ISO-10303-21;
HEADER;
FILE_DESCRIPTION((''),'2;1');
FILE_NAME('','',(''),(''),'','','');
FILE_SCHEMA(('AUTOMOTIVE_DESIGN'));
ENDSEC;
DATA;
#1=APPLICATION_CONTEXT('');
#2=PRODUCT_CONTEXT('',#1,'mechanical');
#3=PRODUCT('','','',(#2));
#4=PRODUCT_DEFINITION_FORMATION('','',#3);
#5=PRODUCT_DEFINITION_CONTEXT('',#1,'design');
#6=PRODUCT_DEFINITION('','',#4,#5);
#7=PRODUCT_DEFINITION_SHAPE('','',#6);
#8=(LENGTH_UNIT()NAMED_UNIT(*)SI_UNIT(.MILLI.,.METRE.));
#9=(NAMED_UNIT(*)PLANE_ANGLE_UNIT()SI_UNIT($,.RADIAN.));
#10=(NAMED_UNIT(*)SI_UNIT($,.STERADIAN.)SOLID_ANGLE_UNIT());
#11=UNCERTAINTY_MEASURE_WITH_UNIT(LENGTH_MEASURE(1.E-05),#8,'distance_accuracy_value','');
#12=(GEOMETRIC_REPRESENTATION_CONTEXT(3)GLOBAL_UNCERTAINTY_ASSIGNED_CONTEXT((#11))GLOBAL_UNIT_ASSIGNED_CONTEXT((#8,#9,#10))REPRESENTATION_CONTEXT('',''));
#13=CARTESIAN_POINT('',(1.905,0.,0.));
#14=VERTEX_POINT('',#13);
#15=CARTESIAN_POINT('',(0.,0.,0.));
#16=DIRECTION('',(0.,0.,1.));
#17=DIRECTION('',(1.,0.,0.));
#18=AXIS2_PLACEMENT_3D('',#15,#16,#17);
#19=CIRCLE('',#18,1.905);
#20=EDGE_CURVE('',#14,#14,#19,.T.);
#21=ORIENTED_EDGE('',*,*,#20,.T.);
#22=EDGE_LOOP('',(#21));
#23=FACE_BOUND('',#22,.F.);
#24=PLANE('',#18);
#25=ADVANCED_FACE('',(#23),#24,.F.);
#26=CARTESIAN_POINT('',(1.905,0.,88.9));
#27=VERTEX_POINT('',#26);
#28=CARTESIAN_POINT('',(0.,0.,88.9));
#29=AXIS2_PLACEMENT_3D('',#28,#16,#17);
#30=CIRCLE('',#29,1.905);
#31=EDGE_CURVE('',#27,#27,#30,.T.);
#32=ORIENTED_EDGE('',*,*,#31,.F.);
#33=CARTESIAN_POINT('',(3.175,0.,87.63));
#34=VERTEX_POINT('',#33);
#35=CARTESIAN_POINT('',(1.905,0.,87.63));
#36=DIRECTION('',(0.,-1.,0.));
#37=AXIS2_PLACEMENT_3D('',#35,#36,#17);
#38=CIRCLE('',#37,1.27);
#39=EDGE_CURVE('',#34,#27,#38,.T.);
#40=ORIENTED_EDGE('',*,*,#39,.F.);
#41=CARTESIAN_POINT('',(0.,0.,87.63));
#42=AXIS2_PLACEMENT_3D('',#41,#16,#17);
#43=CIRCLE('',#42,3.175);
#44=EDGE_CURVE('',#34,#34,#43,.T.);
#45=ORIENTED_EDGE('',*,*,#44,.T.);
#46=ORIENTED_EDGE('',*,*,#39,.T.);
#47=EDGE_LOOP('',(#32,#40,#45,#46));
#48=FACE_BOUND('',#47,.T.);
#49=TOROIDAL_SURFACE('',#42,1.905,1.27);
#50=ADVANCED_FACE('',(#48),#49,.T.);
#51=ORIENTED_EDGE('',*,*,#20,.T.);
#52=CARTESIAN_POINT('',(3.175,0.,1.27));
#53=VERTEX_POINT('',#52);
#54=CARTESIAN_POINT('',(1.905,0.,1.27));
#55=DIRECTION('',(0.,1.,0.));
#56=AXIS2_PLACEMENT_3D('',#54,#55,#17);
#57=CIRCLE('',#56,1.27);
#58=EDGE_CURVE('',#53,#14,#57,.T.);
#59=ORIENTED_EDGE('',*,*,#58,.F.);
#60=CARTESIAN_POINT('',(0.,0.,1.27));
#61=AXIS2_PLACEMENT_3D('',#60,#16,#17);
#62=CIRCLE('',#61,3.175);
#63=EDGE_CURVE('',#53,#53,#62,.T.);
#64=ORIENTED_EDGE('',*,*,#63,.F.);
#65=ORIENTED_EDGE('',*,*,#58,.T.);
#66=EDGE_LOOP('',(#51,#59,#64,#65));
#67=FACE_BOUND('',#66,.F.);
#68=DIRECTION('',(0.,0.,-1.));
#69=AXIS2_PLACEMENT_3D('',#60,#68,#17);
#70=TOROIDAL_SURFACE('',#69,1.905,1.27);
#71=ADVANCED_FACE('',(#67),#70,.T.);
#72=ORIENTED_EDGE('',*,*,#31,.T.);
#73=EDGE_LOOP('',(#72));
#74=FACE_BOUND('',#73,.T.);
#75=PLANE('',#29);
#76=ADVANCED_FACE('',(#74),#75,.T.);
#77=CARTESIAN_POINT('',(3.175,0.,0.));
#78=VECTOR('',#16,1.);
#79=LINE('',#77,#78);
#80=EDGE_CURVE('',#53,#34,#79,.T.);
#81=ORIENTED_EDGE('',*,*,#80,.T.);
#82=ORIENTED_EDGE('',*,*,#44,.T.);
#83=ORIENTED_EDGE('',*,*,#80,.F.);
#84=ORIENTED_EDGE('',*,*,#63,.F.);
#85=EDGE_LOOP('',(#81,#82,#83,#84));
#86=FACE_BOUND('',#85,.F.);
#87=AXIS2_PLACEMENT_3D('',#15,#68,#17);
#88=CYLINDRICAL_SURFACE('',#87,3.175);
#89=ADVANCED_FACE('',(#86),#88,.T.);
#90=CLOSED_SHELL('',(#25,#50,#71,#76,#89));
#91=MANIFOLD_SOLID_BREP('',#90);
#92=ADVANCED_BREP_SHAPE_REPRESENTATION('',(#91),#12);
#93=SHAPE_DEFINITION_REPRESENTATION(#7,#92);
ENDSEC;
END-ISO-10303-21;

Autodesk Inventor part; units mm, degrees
ref_plane "YZ Plane" through (0, 0, 0) normal (1, 0, 0) x (0, 1, 0)
ref_plane "XZ Plane" through (0, 0, 0) normal (0, 1, 0) x (-1, 0, 0)
ref_plane "XY Plane" through (0, 0, 0) normal (0, 0, 1) x (1, 0, 0)
sketch "Sketch1" plane through (0, 0, 0) normal (0, 0, 1) x (1, 0, 0)
  circle A0 centre (0, 0) radius 3.175
  dimension "d0" = 6.35
extrude "Extrusion1" add sketch "Sketch1" along normal blind 88.9
fillet "Fillet1" radius 1.27 2 edges at (-3.175, 0, 88.9) (-3.175, 0, 0)
properties part number "Axle" material "Stainless Steel"
